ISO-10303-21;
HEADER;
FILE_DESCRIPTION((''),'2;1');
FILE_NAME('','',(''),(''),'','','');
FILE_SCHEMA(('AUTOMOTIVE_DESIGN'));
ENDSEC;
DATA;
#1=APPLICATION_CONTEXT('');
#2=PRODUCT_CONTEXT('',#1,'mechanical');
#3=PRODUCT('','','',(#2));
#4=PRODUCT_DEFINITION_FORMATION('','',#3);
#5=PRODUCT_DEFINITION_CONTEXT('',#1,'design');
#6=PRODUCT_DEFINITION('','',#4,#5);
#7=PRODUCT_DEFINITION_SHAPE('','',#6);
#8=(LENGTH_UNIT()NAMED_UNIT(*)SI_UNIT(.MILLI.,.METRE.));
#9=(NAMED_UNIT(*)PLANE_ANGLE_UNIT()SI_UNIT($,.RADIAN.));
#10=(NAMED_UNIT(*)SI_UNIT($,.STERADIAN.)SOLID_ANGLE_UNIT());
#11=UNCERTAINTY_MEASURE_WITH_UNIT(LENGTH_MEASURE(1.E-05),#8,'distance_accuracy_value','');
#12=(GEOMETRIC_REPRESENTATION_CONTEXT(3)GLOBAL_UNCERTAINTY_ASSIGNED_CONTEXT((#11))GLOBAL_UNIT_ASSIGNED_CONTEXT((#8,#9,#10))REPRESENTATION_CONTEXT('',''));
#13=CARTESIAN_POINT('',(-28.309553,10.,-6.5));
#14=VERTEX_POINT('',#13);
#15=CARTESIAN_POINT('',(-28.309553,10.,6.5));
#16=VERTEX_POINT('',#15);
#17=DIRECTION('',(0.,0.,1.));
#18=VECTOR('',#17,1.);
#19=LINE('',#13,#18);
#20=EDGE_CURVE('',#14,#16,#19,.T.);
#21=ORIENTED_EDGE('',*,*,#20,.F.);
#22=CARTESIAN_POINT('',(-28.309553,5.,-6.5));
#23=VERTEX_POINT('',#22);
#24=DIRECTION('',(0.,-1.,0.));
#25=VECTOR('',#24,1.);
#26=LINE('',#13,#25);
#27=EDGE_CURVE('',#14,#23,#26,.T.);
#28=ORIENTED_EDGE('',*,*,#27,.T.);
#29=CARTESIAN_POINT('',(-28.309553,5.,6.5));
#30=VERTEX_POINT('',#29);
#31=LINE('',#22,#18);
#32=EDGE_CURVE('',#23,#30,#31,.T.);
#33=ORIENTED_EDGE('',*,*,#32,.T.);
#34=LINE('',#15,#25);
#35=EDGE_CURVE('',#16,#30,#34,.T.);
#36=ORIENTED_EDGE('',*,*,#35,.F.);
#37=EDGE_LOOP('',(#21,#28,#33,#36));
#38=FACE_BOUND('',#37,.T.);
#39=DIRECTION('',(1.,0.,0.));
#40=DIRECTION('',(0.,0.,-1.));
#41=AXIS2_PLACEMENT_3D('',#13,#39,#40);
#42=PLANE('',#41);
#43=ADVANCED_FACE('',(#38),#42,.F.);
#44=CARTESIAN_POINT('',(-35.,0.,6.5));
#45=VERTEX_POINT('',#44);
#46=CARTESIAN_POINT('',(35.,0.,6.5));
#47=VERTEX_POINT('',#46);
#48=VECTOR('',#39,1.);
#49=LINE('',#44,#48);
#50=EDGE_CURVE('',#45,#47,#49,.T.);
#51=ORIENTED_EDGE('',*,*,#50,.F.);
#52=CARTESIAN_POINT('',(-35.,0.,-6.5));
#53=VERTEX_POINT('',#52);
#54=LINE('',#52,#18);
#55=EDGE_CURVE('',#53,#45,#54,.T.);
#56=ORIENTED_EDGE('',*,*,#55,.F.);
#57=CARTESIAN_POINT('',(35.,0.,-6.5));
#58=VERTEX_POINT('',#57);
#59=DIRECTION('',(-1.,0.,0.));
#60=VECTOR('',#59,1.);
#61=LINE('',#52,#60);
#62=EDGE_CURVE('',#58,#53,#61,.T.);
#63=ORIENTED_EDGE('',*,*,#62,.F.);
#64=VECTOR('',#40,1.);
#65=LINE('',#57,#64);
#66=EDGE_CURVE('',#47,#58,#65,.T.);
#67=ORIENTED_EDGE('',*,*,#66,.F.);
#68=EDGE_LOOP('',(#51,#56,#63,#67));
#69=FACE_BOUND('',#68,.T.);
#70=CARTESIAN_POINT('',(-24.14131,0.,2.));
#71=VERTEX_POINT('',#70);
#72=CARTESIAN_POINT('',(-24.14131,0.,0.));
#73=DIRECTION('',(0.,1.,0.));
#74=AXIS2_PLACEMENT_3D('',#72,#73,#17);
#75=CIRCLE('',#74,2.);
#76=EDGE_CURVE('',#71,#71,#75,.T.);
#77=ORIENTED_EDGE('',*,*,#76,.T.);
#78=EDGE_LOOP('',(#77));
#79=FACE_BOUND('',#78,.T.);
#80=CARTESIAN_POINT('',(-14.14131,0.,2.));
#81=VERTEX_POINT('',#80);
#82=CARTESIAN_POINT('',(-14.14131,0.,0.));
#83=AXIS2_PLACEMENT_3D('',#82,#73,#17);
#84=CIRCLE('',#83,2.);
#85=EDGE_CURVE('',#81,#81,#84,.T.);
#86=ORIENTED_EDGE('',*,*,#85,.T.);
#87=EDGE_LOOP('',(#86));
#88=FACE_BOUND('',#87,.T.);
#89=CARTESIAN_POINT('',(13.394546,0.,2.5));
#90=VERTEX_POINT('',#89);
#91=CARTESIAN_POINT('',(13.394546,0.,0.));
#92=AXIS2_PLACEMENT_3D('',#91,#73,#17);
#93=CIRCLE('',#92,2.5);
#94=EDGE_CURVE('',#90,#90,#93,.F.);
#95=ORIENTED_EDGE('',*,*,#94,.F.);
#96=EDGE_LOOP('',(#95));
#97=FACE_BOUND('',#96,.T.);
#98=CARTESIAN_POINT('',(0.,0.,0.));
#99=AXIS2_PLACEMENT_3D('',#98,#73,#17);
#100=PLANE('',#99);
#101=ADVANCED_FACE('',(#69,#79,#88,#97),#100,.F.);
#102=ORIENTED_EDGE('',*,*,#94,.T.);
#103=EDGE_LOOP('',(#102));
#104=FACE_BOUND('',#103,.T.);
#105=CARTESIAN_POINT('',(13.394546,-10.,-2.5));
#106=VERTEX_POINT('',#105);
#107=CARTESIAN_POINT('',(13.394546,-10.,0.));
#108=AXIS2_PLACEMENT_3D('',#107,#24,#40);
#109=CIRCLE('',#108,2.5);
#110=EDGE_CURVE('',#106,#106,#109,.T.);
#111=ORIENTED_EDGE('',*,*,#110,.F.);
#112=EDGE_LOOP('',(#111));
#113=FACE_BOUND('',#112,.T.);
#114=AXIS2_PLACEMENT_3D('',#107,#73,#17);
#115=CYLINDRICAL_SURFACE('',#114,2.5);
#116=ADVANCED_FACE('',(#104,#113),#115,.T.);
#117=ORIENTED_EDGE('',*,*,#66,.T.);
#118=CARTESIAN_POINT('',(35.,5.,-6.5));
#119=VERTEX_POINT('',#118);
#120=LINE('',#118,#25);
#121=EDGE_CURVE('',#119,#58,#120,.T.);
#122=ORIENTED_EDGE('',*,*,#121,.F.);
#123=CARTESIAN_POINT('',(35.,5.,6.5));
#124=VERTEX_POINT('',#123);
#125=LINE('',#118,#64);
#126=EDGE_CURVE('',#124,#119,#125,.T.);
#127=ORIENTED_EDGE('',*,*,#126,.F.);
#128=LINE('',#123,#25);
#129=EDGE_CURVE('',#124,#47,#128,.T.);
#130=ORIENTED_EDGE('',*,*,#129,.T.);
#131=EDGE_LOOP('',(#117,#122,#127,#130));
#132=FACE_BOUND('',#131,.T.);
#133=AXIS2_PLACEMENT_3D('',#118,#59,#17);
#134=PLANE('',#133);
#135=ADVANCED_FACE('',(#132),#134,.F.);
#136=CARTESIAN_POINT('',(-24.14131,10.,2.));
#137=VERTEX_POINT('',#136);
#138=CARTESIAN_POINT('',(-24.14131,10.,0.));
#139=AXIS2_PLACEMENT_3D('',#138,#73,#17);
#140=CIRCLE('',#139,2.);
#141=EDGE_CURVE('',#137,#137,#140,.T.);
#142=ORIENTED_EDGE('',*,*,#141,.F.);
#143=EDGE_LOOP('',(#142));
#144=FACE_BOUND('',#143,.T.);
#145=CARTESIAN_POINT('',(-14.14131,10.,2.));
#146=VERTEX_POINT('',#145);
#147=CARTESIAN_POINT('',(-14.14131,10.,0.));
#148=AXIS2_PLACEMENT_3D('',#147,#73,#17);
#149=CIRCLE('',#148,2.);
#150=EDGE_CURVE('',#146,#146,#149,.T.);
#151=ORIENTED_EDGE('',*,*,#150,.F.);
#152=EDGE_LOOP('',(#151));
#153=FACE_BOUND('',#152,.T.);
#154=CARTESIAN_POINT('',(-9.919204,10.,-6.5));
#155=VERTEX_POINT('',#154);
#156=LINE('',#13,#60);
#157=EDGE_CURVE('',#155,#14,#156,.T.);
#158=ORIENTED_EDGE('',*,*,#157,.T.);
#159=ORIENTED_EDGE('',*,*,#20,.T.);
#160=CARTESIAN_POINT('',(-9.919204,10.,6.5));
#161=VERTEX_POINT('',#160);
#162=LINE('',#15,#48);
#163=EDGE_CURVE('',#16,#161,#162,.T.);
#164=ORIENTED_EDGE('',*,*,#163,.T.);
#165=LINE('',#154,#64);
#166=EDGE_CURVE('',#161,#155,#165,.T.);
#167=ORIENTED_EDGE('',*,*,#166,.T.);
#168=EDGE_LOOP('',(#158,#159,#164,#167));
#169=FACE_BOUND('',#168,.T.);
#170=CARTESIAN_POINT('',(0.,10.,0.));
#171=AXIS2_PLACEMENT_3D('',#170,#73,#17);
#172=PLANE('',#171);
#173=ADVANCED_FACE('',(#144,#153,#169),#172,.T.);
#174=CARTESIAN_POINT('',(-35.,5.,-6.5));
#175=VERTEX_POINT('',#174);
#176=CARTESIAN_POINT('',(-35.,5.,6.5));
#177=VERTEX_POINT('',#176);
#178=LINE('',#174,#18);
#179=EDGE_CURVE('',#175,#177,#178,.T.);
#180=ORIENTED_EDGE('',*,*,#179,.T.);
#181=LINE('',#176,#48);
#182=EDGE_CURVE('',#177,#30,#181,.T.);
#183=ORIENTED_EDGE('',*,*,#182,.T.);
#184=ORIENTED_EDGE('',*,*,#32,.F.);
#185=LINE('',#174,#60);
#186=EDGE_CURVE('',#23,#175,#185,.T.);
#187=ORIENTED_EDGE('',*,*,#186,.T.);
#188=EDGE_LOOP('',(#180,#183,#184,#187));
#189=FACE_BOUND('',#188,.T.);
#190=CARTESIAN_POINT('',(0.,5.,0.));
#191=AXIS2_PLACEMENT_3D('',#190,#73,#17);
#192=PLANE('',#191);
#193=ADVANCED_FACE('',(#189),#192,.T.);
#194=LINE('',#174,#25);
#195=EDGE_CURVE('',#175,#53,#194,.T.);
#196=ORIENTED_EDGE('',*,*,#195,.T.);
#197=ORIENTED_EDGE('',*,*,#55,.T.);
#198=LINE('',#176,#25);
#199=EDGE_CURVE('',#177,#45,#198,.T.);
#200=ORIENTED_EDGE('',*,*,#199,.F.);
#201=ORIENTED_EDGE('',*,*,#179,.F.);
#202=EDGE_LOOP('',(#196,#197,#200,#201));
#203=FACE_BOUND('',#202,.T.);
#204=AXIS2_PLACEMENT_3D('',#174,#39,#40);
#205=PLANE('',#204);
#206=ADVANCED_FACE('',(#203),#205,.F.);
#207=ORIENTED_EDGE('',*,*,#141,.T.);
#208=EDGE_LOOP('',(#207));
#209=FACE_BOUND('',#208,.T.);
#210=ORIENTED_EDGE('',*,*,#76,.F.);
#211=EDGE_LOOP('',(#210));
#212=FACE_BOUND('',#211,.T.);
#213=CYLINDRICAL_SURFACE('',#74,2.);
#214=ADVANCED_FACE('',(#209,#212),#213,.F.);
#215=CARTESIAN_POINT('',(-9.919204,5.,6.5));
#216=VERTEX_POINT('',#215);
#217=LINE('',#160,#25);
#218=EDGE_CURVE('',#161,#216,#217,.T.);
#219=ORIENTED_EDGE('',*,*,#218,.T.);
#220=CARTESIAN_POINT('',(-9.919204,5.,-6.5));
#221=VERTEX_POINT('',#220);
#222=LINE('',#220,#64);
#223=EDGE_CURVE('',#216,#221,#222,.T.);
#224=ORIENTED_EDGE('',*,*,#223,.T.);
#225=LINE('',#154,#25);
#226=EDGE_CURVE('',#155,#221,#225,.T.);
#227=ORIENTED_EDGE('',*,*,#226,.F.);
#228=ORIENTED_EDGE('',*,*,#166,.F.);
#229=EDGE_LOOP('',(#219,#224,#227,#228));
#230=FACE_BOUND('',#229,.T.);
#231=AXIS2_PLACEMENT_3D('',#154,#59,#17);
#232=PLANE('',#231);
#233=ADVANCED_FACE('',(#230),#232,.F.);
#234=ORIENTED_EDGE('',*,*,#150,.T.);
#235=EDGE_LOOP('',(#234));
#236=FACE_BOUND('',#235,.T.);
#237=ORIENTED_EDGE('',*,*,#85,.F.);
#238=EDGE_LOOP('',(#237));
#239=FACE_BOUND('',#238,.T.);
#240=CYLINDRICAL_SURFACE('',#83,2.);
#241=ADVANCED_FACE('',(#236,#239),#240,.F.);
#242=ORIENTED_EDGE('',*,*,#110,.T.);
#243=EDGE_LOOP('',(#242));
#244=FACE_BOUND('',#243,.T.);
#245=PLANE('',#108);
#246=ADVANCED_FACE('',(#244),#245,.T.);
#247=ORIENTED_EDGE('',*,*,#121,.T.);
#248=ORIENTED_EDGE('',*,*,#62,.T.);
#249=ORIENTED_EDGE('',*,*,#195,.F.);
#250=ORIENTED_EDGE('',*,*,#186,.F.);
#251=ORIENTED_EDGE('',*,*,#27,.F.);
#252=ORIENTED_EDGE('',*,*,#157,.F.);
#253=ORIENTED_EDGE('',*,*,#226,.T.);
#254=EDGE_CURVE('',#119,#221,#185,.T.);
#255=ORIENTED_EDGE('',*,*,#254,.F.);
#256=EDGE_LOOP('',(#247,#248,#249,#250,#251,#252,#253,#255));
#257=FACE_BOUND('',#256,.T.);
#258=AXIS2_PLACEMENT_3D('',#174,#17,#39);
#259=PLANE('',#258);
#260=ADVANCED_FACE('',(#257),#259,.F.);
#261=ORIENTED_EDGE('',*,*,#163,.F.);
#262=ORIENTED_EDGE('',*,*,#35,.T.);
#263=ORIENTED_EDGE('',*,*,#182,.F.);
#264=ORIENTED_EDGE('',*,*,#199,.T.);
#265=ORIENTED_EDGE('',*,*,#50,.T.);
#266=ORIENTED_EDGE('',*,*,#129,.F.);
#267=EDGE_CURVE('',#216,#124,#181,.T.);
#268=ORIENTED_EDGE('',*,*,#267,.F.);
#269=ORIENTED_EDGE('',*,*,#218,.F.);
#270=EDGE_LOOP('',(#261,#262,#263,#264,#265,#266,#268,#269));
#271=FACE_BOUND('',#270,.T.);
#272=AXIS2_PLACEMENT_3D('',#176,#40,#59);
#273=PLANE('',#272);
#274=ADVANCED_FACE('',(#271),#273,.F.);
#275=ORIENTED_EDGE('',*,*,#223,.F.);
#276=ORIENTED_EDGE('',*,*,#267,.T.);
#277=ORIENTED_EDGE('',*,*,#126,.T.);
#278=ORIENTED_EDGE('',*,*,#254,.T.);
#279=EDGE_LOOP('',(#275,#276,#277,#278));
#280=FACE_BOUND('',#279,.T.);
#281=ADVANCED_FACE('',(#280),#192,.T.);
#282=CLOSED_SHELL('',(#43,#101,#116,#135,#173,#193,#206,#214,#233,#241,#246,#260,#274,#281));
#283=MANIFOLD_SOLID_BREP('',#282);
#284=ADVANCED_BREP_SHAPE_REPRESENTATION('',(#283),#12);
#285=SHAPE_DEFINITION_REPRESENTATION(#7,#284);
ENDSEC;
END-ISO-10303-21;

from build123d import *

# Parameters (mm, degrees)
SKETCH1_W           = 70
SKETCH1_H           = 13
BOSS_EXTRUDE1_DEPTH = 5
SKETCH2_R           = 2
CUT_EXTRUDE1_DEPTH  = 36.947878936
BOSS_EXTRUDE3_START = 5
SKETCH2_3_W         = 18.390349325
SKETCH2_3_H         = 13
SKETCH2_3_R         = 2
BOSS_EXTRUDE3_DEPTH = 5
SKETCH3_R           = 2.5
BOSS_EXTRUDE4_DEPTH = 10


with BuildPart() as part:
    # Sketch1 → Boss-Extrude1 (new body)
    with BuildSketch(Plane(origin=(0, 0, 0), x_dir=(1, 0, 0), z_dir=(0, 1, 0))):
        Rectangle(SKETCH1_W, SKETCH1_H)
    extrude(amount=BOSS_EXTRUDE1_DEPTH)

    # Sketch2 → Cut-Extrude1 (cut, through all)
    with BuildSketch(Plane(origin=(0, 5, 0), x_dir=(1, 0, 0), z_dir=(0, 1, 0))):
        with Locations((-24.141309667, 0)):
            Circle(SKETCH2_R)
        with Locations((-14.141309667, 0)):
            Circle(SKETCH2_R)
    extrude(amount=-CUT_EXTRUDE1_DEPTH, mode=Mode.SUBTRACT)

    # Sketch2<3> → Boss-Extrude3 (add)
    with BuildSketch(Plane(origin=(0, 5, 0), x_dir=(1, 0, 0), z_dir=(0, 1, 0)).offset(BOSS_EXTRUDE3_START)):
        with Locations((-19.114378827, 0)):
            Rectangle(SKETCH2_3_W, SKETCH2_3_H)
        with Locations((-24.141309667, 0)):
            Circle(SKETCH2_3_R, mode=Mode.SUBTRACT)
        with Locations((-14.141309667, 0)):
            Circle(SKETCH2_3_R, mode=Mode.SUBTRACT)
    extrude(amount=-BOSS_EXTRUDE3_DEPTH)

    # Sketch3 → Boss-Extrude4 (add)
    with BuildSketch(Plane(origin=(0, 0, 0), x_dir=(-1, 0, 0), z_dir=(0, -1, 0))):
        with Locations((-13.394545769, 0)):
            Circle(SKETCH3_R)
    extrude(amount=BOSS_EXTRUDE4_DEPTH)


solid = part.part
